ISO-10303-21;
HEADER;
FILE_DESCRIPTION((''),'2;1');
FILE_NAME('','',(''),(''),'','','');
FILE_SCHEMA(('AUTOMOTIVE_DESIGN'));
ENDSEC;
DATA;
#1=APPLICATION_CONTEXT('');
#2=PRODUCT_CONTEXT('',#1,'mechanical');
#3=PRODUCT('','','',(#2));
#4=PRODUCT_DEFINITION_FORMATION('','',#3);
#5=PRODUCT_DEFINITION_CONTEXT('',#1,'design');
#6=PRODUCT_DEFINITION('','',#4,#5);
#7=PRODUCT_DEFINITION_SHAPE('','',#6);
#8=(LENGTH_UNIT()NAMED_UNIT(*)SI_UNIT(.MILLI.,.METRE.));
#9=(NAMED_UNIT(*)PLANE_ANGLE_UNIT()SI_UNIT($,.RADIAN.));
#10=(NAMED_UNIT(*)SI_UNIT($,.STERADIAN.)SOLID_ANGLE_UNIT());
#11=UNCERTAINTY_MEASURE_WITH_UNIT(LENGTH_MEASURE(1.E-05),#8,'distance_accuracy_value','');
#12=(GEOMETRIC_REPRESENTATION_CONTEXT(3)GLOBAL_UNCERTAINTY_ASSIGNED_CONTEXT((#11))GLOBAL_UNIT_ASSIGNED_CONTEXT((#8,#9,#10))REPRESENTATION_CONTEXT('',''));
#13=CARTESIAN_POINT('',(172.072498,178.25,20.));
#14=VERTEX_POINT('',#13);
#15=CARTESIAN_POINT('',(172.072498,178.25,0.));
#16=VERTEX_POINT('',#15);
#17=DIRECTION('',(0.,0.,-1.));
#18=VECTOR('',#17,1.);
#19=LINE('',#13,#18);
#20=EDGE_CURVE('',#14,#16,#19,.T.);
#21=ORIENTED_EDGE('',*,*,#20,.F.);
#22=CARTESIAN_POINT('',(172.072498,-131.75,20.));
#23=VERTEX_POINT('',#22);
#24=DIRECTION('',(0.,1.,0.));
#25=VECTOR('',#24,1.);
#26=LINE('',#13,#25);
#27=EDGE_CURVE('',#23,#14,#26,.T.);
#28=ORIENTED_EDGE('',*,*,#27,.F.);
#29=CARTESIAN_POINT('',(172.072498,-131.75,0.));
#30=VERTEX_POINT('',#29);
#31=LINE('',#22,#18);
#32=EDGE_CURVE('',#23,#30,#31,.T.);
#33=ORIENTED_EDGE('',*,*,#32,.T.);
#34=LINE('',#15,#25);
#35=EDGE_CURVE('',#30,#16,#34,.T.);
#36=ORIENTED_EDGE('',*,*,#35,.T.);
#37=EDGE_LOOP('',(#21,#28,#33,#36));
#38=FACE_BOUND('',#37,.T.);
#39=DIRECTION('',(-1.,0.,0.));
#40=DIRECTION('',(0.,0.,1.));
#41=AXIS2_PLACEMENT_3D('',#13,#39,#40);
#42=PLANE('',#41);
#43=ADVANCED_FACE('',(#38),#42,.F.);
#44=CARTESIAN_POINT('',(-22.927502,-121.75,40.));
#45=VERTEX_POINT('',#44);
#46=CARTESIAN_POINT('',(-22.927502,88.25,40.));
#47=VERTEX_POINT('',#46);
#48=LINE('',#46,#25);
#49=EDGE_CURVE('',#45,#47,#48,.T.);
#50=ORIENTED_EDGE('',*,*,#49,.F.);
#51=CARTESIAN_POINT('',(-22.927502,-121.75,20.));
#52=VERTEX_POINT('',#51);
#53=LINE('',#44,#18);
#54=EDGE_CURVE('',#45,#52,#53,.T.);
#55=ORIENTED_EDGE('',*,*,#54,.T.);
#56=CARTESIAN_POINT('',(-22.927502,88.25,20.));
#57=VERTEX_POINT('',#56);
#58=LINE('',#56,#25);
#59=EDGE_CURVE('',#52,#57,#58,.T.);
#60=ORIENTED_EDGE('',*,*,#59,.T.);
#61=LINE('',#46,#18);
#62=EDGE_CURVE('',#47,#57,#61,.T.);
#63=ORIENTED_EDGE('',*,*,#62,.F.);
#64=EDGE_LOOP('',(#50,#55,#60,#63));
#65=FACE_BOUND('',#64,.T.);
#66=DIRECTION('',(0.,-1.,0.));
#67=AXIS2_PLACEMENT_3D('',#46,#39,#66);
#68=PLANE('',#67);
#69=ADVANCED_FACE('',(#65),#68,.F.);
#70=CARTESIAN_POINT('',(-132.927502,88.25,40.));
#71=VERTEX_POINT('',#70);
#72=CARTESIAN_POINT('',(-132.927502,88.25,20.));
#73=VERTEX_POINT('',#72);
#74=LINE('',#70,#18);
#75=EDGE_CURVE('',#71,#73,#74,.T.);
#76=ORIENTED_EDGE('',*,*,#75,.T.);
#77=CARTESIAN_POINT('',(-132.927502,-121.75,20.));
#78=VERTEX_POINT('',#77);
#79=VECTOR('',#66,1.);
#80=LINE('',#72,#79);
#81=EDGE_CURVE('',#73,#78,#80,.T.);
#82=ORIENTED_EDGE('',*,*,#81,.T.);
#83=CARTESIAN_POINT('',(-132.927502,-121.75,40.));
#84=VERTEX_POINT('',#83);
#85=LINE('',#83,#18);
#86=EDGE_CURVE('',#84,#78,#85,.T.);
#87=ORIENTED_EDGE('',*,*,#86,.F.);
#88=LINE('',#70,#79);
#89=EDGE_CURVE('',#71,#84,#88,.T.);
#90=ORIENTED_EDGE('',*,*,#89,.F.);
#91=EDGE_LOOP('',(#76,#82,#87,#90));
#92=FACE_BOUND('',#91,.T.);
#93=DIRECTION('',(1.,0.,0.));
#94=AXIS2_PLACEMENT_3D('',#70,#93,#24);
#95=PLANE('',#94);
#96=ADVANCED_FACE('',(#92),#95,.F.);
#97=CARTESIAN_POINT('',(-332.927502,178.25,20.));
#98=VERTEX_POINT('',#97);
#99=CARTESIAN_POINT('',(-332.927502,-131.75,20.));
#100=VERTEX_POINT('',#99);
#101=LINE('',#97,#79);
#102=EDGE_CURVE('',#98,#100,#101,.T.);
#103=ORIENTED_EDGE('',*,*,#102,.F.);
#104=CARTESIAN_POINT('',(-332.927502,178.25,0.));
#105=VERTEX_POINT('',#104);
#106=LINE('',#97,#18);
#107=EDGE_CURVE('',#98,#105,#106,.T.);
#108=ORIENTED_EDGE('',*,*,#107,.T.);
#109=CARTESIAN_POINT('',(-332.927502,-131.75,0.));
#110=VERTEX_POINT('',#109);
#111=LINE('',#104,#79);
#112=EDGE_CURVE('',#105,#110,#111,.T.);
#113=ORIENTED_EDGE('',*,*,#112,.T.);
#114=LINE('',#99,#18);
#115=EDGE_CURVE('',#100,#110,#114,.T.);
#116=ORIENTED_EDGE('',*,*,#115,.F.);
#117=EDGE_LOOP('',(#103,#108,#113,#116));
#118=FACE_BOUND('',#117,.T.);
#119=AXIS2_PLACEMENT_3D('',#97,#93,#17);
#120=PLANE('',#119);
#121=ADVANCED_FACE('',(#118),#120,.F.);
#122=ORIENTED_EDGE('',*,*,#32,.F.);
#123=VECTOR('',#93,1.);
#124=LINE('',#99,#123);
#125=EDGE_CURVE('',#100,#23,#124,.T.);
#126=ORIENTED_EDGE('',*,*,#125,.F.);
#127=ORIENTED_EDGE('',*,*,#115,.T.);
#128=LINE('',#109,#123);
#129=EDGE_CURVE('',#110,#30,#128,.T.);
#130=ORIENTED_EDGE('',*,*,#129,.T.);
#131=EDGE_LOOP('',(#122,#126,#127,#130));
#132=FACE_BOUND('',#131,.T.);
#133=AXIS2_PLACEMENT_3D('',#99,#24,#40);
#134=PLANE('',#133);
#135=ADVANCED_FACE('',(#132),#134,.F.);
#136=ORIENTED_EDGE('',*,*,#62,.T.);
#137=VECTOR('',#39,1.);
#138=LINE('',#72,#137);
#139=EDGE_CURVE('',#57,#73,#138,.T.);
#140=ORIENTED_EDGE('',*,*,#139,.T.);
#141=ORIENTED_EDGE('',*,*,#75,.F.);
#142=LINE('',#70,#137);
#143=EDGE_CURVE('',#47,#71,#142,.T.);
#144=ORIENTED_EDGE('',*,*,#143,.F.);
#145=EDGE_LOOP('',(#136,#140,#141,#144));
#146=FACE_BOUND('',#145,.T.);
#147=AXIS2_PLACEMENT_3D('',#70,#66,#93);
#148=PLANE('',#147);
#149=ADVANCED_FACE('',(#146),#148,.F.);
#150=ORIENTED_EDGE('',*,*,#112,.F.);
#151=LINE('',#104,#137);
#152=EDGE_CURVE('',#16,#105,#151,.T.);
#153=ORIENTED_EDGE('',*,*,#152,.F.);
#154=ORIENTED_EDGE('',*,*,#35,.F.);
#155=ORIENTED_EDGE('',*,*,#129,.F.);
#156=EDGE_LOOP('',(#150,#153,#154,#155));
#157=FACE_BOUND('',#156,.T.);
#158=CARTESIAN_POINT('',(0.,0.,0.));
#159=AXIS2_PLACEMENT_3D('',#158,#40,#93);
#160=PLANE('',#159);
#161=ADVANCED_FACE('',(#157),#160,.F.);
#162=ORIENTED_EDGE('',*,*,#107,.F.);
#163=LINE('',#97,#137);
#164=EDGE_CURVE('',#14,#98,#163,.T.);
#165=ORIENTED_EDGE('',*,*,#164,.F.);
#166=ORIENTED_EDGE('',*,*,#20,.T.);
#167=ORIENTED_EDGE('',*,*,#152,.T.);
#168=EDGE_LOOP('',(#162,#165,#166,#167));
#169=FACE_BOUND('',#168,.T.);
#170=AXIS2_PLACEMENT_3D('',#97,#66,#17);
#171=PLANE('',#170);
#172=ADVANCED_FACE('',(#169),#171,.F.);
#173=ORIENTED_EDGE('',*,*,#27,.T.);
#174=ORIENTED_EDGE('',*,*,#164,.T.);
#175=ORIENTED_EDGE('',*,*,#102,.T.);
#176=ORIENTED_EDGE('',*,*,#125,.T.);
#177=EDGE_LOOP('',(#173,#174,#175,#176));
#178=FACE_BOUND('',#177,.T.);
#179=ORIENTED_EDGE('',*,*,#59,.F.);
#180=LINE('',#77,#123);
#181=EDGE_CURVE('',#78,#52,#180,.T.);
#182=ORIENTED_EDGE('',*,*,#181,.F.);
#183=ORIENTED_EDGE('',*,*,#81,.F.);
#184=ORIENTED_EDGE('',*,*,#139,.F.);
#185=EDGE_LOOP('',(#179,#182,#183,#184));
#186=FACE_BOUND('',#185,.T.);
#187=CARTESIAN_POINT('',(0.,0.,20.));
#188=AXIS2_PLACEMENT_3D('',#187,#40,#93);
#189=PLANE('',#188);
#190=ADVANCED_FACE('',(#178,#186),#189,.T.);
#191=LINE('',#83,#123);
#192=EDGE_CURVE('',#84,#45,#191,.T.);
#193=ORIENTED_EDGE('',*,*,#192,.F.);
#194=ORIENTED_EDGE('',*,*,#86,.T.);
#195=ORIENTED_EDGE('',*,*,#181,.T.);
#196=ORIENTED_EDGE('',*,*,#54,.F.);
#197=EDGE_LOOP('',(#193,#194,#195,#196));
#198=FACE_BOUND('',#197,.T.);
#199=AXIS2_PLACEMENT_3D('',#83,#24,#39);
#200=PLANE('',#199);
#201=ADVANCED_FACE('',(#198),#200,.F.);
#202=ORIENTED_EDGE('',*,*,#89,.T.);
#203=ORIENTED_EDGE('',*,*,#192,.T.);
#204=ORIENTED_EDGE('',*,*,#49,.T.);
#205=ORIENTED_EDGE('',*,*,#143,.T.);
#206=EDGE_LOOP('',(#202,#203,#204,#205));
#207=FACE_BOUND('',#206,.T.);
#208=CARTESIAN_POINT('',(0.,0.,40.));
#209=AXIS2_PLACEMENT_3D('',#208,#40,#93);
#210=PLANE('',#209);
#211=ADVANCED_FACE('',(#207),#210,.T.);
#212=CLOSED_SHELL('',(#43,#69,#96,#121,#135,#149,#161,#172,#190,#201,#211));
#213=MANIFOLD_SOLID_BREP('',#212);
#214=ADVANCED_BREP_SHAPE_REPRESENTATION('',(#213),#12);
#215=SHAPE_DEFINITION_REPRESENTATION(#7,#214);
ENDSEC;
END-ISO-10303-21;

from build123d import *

# Parameters (mm, degrees)
SZKIC1_W                    = 505
SZKIC1_H                    = 310
DODANIE_WYCI_GNI_CIE1_DEPTH = 20
SZKIC2_W                    = 110
SZKIC2_H                    = 210
DODANIE_WYCI_GNI_CIE2_DEPTH = 20


with BuildPart() as part:
    # Szkic1 → Dodanie-wyciągnięcie1 (new body)
    with BuildSketch(Plane.XY):
        with Locations((-80.427502245, 23.25)):
            Rectangle(SZKIC1_W, SZKIC1_H)
    extrude(amount=DODANIE_WYCI_GNI_CIE1_DEPTH)

    # Szkic2 → Dodanie-wyciągnięcie2 (add)
    with BuildSketch(Plane.XY.offset(20)):
        with Locations((-77.927502245, -16.75)):
            Rectangle(SZKIC2_W, SZKIC2_H)
    extrude(amount=DODANIE_WYCI_GNI_CIE2_DEPTH)


solid = part.part
